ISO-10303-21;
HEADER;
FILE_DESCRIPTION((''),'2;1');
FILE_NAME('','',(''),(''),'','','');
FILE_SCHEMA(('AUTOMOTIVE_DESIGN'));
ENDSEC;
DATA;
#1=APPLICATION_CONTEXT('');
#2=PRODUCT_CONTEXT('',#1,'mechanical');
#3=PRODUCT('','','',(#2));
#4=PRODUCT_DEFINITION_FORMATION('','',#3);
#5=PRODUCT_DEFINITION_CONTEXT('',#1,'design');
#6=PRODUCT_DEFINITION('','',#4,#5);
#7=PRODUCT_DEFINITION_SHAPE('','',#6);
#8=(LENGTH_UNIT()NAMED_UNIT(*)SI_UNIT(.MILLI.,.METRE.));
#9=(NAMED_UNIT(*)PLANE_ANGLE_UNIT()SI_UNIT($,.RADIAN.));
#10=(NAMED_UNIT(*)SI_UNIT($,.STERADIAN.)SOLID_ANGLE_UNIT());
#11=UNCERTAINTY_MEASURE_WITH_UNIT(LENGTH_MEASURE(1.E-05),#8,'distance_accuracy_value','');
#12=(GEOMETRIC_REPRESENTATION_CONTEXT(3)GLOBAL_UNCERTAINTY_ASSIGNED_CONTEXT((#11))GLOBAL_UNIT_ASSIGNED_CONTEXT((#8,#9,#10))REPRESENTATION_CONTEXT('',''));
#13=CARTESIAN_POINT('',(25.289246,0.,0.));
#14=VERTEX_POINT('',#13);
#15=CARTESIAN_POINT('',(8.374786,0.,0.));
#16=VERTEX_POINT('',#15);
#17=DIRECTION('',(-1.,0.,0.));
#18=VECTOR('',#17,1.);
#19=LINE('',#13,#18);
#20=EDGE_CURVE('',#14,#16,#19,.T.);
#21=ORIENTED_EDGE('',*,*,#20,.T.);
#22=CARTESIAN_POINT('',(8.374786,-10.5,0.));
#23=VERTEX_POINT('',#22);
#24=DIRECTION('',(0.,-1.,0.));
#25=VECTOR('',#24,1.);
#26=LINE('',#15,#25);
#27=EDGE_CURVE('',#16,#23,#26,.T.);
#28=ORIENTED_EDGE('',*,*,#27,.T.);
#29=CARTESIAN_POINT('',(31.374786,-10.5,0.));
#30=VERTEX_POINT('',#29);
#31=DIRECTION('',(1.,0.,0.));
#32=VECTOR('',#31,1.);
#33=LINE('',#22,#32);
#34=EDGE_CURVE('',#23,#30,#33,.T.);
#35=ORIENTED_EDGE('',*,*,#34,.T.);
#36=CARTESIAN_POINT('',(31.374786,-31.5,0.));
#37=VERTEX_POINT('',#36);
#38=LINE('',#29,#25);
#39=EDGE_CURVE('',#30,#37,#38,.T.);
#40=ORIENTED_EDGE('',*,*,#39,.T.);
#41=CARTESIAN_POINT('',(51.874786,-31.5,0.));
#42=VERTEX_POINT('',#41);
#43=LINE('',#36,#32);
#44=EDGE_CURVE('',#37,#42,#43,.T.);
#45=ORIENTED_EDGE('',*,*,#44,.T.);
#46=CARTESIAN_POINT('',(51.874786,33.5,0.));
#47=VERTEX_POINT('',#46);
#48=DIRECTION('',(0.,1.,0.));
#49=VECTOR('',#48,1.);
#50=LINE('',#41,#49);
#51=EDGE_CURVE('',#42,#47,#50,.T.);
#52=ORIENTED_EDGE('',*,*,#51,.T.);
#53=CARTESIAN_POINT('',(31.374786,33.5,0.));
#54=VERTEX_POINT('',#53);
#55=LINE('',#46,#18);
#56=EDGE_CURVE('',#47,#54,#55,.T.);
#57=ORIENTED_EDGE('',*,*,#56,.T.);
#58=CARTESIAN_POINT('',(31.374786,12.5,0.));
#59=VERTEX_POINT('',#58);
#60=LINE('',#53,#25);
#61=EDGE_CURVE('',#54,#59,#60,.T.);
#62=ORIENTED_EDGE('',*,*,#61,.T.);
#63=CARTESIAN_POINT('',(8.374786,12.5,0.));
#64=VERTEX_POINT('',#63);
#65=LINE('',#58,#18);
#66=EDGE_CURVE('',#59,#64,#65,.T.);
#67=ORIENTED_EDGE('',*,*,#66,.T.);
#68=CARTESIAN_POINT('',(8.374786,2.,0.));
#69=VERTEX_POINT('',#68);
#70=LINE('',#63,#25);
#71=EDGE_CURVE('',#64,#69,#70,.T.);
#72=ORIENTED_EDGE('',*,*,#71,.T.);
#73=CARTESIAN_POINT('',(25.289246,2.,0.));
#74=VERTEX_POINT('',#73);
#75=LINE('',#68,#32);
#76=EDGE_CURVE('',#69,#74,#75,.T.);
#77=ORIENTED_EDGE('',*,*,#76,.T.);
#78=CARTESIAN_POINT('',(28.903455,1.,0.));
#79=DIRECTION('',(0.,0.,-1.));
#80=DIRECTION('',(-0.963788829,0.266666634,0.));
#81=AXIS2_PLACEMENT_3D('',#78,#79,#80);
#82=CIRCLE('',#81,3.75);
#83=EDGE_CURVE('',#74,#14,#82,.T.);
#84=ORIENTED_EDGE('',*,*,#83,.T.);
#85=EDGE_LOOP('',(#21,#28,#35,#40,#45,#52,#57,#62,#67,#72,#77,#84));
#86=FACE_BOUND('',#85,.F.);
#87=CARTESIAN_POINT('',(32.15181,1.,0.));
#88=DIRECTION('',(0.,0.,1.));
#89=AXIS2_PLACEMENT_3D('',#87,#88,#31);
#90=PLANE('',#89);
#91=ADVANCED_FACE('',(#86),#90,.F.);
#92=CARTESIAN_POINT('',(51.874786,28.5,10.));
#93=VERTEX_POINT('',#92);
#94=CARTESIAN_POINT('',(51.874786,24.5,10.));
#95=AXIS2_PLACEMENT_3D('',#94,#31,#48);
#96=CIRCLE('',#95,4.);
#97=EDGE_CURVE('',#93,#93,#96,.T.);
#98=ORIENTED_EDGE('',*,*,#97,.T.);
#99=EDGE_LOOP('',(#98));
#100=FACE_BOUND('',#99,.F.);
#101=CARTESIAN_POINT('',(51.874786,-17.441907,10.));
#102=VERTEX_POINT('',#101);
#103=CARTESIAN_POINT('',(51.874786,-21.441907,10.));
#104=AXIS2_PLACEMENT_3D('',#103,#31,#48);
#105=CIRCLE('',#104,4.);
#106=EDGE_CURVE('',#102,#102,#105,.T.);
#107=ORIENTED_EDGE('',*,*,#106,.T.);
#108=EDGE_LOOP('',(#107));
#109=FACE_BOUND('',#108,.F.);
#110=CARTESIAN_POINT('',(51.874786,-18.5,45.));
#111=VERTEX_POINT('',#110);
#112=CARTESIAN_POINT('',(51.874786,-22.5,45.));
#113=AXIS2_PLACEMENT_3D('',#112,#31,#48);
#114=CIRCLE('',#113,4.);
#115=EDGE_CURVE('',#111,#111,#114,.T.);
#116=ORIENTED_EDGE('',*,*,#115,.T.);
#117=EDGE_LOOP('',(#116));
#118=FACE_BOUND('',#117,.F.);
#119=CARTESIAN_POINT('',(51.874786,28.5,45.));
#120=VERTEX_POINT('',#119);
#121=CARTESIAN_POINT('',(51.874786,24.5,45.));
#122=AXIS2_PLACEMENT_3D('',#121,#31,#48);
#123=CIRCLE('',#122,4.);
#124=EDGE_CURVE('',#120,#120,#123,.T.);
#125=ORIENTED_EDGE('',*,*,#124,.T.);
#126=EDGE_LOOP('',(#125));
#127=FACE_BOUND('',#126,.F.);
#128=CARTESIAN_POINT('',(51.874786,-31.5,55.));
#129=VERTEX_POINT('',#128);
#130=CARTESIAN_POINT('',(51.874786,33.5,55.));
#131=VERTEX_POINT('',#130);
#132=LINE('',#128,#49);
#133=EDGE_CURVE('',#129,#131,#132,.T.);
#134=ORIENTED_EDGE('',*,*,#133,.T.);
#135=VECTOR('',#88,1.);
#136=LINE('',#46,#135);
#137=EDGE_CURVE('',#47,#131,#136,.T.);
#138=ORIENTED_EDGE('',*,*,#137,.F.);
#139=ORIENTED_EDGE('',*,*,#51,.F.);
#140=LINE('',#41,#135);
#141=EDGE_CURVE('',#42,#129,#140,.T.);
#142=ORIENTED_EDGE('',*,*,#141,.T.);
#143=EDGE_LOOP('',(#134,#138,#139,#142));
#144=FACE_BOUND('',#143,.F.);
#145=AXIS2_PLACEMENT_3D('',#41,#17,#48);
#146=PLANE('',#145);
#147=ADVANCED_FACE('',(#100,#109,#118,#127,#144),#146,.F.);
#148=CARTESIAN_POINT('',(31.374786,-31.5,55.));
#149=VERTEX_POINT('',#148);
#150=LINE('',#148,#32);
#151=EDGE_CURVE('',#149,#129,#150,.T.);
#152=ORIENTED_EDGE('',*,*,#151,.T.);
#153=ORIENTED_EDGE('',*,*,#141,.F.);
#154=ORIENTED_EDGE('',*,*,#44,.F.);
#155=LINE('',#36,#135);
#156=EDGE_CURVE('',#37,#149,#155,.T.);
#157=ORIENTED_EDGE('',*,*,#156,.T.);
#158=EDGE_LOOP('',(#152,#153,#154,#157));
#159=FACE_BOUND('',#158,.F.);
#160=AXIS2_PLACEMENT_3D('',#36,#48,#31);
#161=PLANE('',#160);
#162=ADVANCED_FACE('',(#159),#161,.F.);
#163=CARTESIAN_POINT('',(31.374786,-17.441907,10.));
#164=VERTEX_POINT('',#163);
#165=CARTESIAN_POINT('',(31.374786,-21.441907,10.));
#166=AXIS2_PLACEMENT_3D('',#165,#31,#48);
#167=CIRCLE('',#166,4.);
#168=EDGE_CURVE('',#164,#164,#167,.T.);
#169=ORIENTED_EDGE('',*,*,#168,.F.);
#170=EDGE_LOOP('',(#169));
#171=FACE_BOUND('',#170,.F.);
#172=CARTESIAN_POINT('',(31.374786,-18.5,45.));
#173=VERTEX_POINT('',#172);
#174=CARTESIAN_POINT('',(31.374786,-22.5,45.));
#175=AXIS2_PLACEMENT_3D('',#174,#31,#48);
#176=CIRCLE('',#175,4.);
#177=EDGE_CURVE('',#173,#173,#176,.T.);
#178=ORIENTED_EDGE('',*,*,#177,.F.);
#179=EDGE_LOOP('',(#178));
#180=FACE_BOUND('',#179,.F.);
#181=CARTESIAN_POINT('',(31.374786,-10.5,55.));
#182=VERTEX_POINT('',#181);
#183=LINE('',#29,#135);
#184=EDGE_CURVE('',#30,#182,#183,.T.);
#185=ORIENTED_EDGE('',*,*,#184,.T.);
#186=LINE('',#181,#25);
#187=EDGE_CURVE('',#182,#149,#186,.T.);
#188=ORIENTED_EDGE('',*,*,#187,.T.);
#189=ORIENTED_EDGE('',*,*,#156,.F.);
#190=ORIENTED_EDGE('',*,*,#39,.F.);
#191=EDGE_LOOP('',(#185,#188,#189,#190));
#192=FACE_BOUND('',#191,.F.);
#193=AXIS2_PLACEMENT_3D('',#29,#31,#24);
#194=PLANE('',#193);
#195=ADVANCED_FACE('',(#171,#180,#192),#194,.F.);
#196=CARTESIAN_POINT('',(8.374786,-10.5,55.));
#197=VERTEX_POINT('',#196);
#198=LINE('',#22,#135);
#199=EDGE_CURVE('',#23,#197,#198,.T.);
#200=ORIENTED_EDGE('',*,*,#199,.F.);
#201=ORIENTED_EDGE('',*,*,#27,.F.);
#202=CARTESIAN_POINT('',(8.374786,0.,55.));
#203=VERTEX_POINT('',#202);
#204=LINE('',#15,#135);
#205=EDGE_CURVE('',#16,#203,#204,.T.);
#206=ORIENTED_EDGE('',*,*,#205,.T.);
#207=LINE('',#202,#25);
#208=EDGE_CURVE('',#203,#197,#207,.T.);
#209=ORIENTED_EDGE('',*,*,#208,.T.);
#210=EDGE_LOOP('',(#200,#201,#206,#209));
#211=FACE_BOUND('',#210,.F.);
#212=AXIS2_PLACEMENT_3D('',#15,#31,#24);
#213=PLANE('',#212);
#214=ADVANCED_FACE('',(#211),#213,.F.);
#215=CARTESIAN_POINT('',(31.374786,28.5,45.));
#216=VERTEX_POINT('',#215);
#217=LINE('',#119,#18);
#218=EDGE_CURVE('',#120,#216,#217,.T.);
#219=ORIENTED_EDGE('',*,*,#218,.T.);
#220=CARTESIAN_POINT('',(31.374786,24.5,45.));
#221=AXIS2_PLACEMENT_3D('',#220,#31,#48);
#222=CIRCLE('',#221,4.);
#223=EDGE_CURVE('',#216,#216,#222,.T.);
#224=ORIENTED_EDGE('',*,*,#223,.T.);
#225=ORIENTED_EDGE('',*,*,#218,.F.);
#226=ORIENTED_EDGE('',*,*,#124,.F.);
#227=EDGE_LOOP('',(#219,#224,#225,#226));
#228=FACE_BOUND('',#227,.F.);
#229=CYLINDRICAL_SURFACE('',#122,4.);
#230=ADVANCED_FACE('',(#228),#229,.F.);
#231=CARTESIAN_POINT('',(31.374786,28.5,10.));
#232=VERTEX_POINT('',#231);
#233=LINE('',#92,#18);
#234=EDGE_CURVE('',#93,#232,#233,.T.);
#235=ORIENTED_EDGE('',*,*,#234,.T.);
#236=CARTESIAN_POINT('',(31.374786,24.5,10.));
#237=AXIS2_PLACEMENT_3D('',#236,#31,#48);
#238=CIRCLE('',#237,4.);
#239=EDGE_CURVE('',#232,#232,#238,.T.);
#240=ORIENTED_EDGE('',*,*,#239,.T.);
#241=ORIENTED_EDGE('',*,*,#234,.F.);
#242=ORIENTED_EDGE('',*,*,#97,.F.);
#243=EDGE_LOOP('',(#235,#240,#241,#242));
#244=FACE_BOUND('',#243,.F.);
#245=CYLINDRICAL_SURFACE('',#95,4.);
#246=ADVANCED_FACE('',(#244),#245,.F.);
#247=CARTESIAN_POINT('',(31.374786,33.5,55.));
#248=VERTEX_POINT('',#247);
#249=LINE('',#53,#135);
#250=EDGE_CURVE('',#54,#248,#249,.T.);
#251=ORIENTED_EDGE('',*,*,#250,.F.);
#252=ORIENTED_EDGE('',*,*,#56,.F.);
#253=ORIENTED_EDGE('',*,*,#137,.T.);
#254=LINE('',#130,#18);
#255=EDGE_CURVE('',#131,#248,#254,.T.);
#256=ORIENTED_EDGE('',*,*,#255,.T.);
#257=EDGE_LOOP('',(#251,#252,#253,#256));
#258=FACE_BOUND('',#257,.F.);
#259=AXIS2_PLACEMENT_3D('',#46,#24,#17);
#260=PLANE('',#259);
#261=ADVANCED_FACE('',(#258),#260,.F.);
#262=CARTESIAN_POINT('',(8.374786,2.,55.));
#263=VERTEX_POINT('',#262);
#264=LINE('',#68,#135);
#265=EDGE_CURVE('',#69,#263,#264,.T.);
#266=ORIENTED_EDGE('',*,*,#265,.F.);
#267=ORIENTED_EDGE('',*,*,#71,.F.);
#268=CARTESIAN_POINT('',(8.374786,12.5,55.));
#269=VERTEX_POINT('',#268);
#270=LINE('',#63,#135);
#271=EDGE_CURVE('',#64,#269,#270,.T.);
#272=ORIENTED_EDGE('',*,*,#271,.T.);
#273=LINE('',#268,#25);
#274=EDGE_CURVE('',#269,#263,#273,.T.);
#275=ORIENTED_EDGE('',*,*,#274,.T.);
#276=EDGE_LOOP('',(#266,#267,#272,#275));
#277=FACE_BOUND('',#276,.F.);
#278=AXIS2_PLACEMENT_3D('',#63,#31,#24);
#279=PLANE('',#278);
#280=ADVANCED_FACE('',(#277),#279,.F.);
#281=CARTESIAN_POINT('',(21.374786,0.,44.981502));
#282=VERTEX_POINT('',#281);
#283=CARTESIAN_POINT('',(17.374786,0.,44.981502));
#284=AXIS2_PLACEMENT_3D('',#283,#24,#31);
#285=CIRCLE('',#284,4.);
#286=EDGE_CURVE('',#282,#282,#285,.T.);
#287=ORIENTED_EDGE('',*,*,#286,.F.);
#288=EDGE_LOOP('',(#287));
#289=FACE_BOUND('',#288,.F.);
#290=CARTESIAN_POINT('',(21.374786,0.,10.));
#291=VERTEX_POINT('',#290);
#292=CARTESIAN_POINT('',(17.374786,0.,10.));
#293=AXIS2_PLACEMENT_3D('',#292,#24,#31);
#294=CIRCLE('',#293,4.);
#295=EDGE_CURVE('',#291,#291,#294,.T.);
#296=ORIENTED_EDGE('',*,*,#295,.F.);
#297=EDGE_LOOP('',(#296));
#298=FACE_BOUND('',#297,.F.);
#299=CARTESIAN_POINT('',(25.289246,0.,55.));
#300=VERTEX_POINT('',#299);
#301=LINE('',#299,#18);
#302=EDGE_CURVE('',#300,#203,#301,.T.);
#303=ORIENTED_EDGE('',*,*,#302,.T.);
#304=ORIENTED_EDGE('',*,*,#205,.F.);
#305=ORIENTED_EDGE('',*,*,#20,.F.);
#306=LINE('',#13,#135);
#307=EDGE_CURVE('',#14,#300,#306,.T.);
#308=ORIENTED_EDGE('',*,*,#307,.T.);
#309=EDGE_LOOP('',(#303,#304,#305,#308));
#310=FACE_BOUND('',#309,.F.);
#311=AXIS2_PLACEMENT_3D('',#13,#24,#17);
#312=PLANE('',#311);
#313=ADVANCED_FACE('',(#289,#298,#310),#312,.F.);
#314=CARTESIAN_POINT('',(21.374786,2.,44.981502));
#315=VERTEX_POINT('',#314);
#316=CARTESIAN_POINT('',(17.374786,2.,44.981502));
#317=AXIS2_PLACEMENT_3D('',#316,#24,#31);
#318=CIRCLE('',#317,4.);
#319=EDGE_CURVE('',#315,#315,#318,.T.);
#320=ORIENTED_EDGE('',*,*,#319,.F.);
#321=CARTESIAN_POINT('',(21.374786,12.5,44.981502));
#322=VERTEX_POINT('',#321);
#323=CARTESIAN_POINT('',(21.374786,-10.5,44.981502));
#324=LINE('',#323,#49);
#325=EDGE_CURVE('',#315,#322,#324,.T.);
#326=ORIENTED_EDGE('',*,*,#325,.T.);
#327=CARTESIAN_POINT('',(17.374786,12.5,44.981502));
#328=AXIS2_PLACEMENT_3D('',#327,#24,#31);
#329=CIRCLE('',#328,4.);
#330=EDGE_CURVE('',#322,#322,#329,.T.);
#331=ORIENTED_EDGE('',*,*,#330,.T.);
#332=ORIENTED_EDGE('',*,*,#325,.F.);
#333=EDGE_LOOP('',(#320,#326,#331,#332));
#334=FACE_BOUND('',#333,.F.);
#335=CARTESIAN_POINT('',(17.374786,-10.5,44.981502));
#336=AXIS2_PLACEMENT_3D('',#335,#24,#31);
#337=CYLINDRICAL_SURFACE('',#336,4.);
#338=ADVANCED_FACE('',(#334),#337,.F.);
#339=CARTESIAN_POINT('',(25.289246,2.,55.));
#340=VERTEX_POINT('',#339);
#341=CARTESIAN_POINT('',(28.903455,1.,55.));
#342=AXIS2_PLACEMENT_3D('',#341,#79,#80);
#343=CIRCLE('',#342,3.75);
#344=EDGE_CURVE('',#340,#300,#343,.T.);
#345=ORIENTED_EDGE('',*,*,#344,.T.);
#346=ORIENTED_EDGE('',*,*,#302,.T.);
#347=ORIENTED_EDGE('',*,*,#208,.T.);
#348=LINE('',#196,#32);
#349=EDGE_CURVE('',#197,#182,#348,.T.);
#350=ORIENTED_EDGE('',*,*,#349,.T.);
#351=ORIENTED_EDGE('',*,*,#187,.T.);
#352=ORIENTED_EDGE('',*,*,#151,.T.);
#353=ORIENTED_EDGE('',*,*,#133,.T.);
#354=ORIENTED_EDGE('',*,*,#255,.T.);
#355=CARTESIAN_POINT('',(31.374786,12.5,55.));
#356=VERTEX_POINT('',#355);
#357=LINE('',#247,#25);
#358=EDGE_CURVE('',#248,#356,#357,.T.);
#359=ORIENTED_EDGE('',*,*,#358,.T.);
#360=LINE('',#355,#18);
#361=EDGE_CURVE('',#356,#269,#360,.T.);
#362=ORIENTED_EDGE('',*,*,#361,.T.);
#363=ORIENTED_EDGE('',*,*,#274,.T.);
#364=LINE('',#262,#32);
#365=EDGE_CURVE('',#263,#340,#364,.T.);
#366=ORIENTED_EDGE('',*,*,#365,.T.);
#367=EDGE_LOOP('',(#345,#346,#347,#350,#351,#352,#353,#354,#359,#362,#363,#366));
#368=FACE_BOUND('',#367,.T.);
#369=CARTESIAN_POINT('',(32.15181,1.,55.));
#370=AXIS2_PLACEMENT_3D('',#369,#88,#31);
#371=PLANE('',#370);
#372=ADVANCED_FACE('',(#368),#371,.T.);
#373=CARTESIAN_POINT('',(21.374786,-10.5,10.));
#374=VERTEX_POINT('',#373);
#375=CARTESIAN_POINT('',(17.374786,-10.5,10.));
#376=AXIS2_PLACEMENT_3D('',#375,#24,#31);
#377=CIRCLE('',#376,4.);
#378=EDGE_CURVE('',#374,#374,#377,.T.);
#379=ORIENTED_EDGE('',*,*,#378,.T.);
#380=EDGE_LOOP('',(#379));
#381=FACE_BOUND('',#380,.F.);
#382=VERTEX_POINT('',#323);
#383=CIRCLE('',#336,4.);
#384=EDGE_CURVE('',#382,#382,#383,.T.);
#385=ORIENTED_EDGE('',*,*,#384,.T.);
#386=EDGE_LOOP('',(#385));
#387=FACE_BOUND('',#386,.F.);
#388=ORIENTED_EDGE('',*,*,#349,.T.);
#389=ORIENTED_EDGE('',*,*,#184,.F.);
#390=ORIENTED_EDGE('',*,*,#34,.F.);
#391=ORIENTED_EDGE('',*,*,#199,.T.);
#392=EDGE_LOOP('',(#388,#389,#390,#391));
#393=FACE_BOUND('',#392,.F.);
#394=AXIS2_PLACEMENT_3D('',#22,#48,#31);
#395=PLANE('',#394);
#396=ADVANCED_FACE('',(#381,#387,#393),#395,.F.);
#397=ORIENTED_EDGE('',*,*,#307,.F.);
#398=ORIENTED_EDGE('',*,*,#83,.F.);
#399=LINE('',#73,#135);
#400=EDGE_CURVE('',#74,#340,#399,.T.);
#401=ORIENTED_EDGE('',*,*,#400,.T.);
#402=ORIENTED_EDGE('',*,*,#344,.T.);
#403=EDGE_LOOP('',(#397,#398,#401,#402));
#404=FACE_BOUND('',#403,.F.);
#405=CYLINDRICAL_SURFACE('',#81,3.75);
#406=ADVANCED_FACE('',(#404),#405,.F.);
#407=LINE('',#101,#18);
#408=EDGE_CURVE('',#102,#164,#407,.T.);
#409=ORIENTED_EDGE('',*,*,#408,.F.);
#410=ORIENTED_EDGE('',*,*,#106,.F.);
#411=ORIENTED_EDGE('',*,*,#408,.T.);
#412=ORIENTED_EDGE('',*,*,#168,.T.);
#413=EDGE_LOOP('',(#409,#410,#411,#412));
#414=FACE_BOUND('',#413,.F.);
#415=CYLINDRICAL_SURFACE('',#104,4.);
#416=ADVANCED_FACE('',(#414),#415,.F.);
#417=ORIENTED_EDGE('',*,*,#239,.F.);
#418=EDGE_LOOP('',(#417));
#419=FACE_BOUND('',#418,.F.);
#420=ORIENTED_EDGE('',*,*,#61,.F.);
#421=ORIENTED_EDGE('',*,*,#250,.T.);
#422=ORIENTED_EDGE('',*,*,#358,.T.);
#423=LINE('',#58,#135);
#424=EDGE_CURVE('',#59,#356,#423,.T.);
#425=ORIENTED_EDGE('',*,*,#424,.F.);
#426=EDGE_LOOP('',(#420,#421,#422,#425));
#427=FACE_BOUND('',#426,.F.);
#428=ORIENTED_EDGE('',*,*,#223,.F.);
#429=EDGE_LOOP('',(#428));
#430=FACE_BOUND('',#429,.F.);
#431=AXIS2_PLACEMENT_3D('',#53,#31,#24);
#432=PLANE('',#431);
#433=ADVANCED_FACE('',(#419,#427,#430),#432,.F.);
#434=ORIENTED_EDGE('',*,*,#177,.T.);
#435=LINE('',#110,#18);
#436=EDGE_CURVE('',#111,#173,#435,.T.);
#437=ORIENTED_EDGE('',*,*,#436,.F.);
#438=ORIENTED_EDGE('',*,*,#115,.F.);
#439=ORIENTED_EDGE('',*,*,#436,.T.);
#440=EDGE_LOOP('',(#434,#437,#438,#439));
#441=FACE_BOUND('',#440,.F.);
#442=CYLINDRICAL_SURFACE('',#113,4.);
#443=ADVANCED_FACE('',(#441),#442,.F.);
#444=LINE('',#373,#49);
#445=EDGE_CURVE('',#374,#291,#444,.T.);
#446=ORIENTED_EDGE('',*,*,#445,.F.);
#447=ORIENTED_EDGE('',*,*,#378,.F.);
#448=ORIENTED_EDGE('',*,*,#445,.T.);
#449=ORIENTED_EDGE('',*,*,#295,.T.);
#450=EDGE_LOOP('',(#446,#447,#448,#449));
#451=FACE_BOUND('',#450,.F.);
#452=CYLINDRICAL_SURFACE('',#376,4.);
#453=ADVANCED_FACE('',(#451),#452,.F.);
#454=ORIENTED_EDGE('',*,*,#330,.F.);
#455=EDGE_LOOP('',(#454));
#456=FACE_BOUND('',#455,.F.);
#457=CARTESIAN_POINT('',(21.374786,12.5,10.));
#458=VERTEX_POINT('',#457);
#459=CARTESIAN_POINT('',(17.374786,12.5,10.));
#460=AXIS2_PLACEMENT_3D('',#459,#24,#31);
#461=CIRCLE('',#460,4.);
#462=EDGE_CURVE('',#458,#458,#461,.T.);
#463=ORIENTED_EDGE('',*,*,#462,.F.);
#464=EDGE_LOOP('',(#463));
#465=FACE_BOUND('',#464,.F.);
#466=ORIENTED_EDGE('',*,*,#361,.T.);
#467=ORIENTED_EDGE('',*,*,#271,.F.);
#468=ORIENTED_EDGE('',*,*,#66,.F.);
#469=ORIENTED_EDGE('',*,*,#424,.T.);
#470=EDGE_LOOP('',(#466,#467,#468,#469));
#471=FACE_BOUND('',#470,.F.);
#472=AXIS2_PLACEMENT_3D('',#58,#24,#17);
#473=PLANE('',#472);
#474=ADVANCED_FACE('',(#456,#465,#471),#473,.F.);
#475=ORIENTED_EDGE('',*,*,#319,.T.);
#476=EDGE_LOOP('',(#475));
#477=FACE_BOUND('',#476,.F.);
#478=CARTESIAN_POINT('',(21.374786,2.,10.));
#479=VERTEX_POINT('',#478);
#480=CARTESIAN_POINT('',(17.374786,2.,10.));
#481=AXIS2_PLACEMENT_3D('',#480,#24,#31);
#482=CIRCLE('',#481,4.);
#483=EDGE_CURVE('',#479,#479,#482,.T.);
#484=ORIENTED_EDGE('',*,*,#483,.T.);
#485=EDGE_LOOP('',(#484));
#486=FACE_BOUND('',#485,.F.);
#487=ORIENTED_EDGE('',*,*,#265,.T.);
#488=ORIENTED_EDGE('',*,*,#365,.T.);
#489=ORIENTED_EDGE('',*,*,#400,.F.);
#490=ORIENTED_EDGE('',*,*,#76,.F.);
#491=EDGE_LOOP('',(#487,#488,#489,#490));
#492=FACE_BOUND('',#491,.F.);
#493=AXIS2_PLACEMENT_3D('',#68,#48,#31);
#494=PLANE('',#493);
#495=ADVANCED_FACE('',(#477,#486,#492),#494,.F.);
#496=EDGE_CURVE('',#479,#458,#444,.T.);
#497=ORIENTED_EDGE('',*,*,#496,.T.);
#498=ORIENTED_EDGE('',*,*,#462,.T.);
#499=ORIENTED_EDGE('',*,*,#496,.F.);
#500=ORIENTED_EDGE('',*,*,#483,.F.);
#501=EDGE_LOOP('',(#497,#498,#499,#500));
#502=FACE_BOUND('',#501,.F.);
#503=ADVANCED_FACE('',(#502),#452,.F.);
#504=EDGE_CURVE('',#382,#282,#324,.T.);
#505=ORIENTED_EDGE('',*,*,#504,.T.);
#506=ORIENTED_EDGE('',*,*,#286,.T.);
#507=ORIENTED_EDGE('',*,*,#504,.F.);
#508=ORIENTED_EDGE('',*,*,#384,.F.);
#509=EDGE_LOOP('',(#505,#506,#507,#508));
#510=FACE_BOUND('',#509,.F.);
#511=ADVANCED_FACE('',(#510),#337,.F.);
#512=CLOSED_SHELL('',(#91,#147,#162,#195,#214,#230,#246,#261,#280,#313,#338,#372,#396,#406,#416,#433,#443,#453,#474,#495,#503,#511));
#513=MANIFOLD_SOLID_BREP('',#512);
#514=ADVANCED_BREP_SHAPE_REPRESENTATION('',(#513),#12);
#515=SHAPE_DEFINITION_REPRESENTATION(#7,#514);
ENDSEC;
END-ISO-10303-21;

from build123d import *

# Parameters (mm, degrees)
F1_DEPTH = 55
F3_DEPTH = 44.001
F4_R     = 4
F5_DEPTH = 43.501


with BuildPart() as f1:
    # F0 (on Top) → F1 (new body)
    with BuildSketch(Plane.XY):
        with BuildLine():
            Line((51.874786, -31.5), (51.874786, 33.5))
            Line((51.874786, 33.5), (31.374786, 33.5))
            Line((31.374786, 33.5), (31.374786, 12.5))
            Line((31.374786, 12.5), (8.374786, 12.5))
            Line((8.374786, 12.5), (8.374786, 2))
            Line((8.374786, 2), (25.289246, 2))
            ThreePointArc((25.289246, 2), (32.653455, 1), (25.289246, 0))
            Line((25.289246, 0), (8.374786, 0))
            Line((8.374786, 0), (8.374786, -10.5))
            Line((8.374786, -10.5), (31.374786, -10.5))
            Line((31.374786, -10.5), (31.374786, -31.5))
            Line((31.374786, -31.5), (51.874786, -31.5))
        make_face()
    extrude(amount=F1_DEPTH)

    # F2 (on face) → F3 (cut, through all)
    with BuildSketch(Plane.XZ.offset(10.5)):
        with BuildLine():
            ThreePointArc((13.374786, 44.981502), (17.374786, 40.981502), (21.374786, 44.981502))
            ThreePointArc((21.374786, 44.981502), (17.374786, 48.981502), (13.374786, 44.981502))
        make_face()
        with BuildLine():
            ThreePointArc((13.374786, 10), (17.374786, 6), (21.374786, 10))
            ThreePointArc((21.374786, 10), (17.374786, 14), (13.374786, 10))
        make_face()
    extrude(amount=-F3_DEPTH, mode=Mode.SUBTRACT)

    # F4 (on face) → F5 (cut, through all)
    with BuildSketch(Plane.YZ.offset(51.874786)):
        with BuildLine():
            ThreePointArc((-26.5, 45), (-22.5, 41), (-18.5, 45))
            ThreePointArc((-18.5, 45), (-22.5, 49), (-26.5, 45))
        make_face()
        with Locations((24.5, 45)):
            Circle(F4_R)
        with Locations((24.5, 10)):
            Circle(F4_R)
        with BuildLine():
            ThreePointArc((-25.441907, 10), (-21.441907, 6), (-17.441907, 10))
            ThreePointArc((-17.441907, 10), (-21.441907, 14), (-25.441907, 10))
        make_face()
    extrude(amount=-F5_DEPTH, mode=Mode.SUBTRACT)


solid = f1.part
